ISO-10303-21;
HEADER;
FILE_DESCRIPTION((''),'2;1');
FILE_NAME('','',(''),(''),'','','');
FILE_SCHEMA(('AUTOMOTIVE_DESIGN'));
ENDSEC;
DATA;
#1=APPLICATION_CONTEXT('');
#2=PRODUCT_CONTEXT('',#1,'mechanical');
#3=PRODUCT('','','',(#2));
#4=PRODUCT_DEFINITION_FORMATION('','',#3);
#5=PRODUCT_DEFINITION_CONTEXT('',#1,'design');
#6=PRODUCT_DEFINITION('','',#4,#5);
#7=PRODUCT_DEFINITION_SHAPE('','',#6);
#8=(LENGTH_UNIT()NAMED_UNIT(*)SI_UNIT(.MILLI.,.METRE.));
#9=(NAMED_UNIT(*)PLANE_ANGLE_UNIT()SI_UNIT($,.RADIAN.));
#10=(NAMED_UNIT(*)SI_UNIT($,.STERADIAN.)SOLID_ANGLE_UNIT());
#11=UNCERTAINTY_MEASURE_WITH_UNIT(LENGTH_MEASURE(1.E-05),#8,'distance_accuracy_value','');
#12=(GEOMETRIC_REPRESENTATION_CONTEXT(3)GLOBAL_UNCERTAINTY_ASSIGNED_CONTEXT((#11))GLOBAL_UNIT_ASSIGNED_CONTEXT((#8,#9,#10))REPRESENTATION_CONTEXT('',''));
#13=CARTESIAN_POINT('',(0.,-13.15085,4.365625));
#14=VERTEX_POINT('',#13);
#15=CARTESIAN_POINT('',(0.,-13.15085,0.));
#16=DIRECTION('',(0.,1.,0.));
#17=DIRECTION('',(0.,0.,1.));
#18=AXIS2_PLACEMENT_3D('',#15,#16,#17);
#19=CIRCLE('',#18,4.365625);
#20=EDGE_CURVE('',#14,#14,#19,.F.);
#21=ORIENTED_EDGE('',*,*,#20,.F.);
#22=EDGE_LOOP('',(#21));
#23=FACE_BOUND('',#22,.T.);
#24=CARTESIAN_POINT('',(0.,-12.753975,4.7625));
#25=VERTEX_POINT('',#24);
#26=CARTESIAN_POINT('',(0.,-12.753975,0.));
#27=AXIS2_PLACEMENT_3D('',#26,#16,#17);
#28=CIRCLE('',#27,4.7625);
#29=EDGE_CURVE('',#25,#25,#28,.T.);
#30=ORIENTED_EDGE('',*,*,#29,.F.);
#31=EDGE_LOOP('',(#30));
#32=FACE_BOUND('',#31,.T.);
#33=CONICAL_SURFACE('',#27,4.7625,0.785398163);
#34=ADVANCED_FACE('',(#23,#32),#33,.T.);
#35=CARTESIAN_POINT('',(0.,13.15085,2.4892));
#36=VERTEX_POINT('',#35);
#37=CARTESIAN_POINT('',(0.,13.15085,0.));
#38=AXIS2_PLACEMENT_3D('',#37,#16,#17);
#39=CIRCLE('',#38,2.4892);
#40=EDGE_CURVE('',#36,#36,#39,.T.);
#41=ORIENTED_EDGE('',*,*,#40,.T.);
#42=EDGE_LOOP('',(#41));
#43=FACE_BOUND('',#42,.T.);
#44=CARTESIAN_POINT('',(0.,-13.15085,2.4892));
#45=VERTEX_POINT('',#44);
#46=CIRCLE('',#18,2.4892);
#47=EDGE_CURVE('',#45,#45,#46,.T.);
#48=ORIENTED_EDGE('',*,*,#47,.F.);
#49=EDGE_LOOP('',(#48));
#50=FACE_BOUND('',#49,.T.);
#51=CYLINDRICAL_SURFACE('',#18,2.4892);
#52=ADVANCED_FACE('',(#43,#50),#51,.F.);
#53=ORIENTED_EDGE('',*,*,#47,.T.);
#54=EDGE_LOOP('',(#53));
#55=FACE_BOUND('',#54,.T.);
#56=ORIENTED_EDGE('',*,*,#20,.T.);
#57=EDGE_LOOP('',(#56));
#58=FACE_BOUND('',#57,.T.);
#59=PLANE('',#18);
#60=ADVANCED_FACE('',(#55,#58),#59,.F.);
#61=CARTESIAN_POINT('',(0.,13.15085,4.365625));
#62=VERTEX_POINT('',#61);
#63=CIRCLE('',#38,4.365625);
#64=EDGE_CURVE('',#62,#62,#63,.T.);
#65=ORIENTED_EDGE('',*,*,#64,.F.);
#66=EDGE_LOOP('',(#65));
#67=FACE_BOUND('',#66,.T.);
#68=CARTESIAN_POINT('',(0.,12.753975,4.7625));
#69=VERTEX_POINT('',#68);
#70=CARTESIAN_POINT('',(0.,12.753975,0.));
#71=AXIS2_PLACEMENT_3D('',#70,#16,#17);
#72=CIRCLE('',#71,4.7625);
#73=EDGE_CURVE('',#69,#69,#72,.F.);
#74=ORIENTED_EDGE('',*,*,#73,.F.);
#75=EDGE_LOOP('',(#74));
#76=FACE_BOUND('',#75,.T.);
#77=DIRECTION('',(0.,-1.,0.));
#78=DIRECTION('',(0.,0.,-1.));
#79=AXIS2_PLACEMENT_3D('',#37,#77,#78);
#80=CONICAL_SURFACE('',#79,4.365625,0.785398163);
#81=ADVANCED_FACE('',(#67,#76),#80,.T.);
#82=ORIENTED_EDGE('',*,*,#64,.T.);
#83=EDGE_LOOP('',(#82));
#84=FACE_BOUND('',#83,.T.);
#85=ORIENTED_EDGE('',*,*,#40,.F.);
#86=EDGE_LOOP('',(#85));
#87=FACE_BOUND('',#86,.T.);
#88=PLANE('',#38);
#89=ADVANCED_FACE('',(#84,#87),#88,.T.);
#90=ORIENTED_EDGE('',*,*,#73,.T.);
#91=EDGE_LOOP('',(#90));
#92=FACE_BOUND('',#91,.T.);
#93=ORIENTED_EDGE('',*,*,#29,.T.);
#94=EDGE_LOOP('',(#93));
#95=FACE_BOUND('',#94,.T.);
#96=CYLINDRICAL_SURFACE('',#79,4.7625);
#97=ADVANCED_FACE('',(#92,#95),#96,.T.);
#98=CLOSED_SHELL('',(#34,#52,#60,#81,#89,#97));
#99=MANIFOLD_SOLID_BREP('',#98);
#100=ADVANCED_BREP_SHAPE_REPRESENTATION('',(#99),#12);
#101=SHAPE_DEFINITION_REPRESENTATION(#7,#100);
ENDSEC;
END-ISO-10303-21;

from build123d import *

# Parameters (mm, degrees)
CROQUIS2_R                = 4.7625
SALIENTE_EXTRUIR1_DEPTH   = 13.15085
CHAFL_N1_SIZE             = 0.396875
CLEARANCE_HOLE_DEPTH      = 15.775238347
CLEARANCE_HOLE_DEPTH_BACK = 15.775238347
CROQUIS4_R                = 2.4892


with BuildPart() as part:
    # Croquis2 → Saliente-Extruir1 (new, symmetric)
    with BuildSketch(Plane(origin=(0, 0, 0), x_dir=(1, 0, 0), z_dir=(0, 1, 0))):
        Circle(CROQUIS2_R)
    extrude(amount=SALIENTE_EXTRUIR1_DEPTH, both=True)

    # Chaflán1
    chafl_n1_edges = [part.edges().sort_by_distance(p)[0] for p in [
        (-4.7625, -13.15085, 0),
        (-4.7625, 13.15085, 0),
    ]]
    chamfer(chafl_n1_edges, length=CHAFL_N1_SIZE)

    # Croquis4 → Clearance Hole (cut, two sides: drawn at the far end of the back side and taken through both)
    with BuildSketch(Plane(origin=(0, 0, 0), x_dir=(1, 0, 0), z_dir=(0, 1, 0)).offset(-CLEARANCE_HOLE_DEPTH_BACK)):
        Circle(CROQUIS4_R)
    extrude(amount=CLEARANCE_HOLE_DEPTH + CLEARANCE_HOLE_DEPTH_BACK, mode=Mode.SUBTRACT)


solid = part.part
